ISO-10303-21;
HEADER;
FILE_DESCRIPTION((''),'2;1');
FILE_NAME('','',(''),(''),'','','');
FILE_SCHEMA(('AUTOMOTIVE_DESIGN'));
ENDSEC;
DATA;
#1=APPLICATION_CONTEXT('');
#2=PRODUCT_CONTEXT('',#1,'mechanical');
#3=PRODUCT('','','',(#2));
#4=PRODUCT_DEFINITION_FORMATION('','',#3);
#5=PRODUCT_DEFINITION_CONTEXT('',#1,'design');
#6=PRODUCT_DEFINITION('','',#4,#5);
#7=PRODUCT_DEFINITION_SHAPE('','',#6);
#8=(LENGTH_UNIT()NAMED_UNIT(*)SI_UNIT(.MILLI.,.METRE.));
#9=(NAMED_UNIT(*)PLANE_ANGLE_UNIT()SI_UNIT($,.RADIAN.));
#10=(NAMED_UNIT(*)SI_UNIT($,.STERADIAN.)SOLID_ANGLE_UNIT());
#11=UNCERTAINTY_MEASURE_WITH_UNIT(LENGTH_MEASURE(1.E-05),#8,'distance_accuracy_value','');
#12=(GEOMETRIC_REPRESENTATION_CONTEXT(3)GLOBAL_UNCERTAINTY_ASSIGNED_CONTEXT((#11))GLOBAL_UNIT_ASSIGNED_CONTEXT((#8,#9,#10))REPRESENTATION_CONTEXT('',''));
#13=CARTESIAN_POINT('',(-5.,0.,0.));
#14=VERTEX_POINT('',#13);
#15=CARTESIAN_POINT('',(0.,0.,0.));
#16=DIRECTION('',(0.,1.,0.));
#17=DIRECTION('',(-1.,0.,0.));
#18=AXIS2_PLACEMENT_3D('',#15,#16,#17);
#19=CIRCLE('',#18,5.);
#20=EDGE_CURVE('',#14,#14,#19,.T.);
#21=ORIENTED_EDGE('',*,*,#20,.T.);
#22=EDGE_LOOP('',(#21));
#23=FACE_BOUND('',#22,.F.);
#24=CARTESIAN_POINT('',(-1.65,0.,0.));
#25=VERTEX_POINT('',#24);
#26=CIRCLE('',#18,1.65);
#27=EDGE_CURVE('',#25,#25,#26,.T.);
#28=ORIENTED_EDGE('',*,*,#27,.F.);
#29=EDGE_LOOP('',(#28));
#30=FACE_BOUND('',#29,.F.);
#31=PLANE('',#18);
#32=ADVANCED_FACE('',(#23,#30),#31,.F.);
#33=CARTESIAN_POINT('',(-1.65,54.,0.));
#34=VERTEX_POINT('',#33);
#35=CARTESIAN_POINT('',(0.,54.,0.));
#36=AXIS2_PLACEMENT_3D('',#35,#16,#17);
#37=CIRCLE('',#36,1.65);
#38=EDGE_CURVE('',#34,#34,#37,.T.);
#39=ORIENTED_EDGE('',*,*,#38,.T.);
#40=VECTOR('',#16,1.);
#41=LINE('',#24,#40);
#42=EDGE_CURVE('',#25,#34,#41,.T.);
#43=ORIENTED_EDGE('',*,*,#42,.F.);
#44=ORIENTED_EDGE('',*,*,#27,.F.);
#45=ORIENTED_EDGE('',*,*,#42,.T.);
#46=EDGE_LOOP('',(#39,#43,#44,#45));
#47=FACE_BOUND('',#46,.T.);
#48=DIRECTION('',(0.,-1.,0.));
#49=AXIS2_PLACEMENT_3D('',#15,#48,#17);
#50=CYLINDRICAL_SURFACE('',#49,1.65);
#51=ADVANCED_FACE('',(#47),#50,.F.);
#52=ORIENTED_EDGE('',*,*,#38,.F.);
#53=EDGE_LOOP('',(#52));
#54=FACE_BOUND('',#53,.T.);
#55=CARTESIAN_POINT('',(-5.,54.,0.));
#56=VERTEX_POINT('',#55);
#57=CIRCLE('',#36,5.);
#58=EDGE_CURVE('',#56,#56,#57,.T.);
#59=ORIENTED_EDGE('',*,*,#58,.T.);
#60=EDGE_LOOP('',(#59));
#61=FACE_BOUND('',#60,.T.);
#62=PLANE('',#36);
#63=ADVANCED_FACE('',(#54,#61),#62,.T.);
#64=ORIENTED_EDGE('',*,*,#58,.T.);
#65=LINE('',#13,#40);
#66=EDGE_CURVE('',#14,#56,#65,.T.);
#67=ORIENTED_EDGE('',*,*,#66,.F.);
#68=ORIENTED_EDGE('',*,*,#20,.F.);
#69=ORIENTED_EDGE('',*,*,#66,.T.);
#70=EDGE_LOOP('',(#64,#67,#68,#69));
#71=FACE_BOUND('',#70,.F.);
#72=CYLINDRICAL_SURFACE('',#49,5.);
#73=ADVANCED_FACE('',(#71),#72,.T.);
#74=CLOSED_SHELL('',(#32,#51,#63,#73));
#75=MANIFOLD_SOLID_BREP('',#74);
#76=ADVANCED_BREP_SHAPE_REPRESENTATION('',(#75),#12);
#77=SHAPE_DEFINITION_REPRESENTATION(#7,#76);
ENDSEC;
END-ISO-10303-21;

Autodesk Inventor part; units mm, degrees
ref_plane "YZ Plane" through (0, 0, 0) normal (1, 0, 0) x (0, 1, 0)
ref_plane "XZ Plane" through (0, 0, 0) normal (0, 1, 0) x (-1, 0, 0)
ref_plane "XY Plane" through (0, 0, 0) normal (0, 0, 1) x (1, 0, 0)
sketch "スケッチ1" plane through (0, 0, 0) normal (0, 1, 0) x (-1, 0, 0)
  circle A0 centre (0, 0) radius 1.65
  circle A1 centre (0, 0) radius 5
  dimension "d0" = 3.3
  dimension "d1" = 10
extrude "押し出し1" add sketch "スケッチ1" along normal blind 54
properties part number "shoulder2_lower_plate_spacer"
